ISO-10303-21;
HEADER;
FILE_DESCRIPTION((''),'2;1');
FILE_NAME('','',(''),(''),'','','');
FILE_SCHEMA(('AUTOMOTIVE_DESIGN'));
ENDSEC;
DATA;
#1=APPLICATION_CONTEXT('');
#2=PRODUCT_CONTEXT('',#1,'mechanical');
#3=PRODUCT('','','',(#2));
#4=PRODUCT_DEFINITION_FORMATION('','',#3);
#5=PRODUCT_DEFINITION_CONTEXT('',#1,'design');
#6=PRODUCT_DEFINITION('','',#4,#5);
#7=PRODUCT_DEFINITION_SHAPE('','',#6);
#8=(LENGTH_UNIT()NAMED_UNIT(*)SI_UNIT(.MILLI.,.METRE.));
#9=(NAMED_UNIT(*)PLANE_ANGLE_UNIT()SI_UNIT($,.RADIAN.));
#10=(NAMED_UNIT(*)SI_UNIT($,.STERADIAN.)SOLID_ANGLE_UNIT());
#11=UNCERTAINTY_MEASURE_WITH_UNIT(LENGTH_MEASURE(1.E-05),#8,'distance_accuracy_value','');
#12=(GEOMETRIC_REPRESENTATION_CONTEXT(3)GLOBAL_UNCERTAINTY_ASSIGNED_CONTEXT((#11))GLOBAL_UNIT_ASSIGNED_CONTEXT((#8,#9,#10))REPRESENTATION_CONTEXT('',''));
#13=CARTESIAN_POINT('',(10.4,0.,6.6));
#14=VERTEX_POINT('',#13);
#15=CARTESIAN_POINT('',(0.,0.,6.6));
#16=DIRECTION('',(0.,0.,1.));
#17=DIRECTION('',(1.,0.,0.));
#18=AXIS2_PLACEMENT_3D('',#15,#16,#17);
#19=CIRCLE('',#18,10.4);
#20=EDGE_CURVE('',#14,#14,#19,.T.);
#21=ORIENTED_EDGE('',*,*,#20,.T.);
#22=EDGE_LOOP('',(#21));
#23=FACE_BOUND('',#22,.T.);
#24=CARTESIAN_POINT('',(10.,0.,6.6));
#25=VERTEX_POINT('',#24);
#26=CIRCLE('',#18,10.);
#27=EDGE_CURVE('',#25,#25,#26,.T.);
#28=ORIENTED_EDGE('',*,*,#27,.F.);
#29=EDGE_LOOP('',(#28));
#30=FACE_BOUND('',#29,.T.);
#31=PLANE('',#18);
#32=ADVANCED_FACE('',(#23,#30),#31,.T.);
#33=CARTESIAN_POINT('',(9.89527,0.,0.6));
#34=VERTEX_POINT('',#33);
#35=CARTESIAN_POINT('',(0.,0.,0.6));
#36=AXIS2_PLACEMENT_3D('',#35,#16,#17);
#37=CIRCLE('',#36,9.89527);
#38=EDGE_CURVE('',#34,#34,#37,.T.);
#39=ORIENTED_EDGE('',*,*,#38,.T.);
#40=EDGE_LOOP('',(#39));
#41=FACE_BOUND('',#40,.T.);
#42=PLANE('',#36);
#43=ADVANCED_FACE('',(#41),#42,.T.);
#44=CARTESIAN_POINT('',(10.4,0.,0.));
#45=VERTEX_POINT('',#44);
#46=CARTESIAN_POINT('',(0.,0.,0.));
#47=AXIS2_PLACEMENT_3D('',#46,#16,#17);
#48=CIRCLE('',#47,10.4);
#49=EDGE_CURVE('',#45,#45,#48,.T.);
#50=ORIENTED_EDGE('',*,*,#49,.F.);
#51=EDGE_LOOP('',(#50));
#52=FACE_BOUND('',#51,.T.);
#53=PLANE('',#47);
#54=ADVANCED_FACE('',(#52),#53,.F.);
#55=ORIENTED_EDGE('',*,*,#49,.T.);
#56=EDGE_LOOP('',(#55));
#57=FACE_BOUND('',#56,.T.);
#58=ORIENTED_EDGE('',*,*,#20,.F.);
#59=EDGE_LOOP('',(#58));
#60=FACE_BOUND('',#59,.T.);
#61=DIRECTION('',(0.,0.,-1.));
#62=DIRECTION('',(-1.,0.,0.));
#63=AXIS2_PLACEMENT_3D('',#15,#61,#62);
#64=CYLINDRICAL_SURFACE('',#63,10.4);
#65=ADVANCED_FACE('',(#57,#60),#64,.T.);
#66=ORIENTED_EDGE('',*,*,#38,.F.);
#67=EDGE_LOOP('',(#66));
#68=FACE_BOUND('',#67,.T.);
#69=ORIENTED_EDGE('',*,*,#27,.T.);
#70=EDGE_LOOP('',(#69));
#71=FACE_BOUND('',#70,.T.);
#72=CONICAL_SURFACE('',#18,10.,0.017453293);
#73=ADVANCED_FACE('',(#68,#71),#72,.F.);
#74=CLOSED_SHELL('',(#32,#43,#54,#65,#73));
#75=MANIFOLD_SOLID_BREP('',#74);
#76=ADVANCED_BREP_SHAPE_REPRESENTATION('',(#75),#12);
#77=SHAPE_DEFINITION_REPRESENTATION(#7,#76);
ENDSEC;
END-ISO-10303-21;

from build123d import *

# Parameters (mm, degrees)
ESQUISSE1_R             = 10.4
BOSS_EXTRU_1_DEPTH      = 6.6
ESQUISSE2_R             = 10
ENL_V_MAT_EXTRU_1_DEPTH = 6
ENL_V_MAT_EXTRU_1_DRAFT = -1


with BuildPart() as part:
    # Esquisse1 → Boss.-Extru.1 (new body)
    with BuildSketch(Plane.XY):
        Circle(ESQUISSE1_R)
    extrude(amount=BOSS_EXTRU_1_DEPTH)


with BuildPart() as enl_v_mat_extru_1_tool:
    # Esquisse2 → Enlèv. mat.-Extru.1 (with draft: the straight prism first)
    with BuildSketch(Plane.XY.offset(6.6)):
        Circle(ESQUISSE2_R)
    extrude(amount=-ENL_V_MAT_EXTRU_1_DEPTH)
    # Enlèv. mat.-Extru.1: the draft: its side faces are tilted about the plane it starts from
    enl_v_mat_extru_1_sides = [enl_v_mat_extru_1_tool.faces().sort_by_distance(p)[0] for p in [
        (-10, 0, 3.6),
    ]]
    draft(enl_v_mat_extru_1_sides, Plane.XY.offset(6.6), ENL_V_MAT_EXTRU_1_DRAFT)


with BuildPart() as part_1:
    add(part.part)

    # Enlèv. mat.-Extru.1: cut by enl_v_mat_extru_1_tool
    add(enl_v_mat_extru_1_tool.part, mode=Mode.SUBTRACT)


solid = part_1.part
